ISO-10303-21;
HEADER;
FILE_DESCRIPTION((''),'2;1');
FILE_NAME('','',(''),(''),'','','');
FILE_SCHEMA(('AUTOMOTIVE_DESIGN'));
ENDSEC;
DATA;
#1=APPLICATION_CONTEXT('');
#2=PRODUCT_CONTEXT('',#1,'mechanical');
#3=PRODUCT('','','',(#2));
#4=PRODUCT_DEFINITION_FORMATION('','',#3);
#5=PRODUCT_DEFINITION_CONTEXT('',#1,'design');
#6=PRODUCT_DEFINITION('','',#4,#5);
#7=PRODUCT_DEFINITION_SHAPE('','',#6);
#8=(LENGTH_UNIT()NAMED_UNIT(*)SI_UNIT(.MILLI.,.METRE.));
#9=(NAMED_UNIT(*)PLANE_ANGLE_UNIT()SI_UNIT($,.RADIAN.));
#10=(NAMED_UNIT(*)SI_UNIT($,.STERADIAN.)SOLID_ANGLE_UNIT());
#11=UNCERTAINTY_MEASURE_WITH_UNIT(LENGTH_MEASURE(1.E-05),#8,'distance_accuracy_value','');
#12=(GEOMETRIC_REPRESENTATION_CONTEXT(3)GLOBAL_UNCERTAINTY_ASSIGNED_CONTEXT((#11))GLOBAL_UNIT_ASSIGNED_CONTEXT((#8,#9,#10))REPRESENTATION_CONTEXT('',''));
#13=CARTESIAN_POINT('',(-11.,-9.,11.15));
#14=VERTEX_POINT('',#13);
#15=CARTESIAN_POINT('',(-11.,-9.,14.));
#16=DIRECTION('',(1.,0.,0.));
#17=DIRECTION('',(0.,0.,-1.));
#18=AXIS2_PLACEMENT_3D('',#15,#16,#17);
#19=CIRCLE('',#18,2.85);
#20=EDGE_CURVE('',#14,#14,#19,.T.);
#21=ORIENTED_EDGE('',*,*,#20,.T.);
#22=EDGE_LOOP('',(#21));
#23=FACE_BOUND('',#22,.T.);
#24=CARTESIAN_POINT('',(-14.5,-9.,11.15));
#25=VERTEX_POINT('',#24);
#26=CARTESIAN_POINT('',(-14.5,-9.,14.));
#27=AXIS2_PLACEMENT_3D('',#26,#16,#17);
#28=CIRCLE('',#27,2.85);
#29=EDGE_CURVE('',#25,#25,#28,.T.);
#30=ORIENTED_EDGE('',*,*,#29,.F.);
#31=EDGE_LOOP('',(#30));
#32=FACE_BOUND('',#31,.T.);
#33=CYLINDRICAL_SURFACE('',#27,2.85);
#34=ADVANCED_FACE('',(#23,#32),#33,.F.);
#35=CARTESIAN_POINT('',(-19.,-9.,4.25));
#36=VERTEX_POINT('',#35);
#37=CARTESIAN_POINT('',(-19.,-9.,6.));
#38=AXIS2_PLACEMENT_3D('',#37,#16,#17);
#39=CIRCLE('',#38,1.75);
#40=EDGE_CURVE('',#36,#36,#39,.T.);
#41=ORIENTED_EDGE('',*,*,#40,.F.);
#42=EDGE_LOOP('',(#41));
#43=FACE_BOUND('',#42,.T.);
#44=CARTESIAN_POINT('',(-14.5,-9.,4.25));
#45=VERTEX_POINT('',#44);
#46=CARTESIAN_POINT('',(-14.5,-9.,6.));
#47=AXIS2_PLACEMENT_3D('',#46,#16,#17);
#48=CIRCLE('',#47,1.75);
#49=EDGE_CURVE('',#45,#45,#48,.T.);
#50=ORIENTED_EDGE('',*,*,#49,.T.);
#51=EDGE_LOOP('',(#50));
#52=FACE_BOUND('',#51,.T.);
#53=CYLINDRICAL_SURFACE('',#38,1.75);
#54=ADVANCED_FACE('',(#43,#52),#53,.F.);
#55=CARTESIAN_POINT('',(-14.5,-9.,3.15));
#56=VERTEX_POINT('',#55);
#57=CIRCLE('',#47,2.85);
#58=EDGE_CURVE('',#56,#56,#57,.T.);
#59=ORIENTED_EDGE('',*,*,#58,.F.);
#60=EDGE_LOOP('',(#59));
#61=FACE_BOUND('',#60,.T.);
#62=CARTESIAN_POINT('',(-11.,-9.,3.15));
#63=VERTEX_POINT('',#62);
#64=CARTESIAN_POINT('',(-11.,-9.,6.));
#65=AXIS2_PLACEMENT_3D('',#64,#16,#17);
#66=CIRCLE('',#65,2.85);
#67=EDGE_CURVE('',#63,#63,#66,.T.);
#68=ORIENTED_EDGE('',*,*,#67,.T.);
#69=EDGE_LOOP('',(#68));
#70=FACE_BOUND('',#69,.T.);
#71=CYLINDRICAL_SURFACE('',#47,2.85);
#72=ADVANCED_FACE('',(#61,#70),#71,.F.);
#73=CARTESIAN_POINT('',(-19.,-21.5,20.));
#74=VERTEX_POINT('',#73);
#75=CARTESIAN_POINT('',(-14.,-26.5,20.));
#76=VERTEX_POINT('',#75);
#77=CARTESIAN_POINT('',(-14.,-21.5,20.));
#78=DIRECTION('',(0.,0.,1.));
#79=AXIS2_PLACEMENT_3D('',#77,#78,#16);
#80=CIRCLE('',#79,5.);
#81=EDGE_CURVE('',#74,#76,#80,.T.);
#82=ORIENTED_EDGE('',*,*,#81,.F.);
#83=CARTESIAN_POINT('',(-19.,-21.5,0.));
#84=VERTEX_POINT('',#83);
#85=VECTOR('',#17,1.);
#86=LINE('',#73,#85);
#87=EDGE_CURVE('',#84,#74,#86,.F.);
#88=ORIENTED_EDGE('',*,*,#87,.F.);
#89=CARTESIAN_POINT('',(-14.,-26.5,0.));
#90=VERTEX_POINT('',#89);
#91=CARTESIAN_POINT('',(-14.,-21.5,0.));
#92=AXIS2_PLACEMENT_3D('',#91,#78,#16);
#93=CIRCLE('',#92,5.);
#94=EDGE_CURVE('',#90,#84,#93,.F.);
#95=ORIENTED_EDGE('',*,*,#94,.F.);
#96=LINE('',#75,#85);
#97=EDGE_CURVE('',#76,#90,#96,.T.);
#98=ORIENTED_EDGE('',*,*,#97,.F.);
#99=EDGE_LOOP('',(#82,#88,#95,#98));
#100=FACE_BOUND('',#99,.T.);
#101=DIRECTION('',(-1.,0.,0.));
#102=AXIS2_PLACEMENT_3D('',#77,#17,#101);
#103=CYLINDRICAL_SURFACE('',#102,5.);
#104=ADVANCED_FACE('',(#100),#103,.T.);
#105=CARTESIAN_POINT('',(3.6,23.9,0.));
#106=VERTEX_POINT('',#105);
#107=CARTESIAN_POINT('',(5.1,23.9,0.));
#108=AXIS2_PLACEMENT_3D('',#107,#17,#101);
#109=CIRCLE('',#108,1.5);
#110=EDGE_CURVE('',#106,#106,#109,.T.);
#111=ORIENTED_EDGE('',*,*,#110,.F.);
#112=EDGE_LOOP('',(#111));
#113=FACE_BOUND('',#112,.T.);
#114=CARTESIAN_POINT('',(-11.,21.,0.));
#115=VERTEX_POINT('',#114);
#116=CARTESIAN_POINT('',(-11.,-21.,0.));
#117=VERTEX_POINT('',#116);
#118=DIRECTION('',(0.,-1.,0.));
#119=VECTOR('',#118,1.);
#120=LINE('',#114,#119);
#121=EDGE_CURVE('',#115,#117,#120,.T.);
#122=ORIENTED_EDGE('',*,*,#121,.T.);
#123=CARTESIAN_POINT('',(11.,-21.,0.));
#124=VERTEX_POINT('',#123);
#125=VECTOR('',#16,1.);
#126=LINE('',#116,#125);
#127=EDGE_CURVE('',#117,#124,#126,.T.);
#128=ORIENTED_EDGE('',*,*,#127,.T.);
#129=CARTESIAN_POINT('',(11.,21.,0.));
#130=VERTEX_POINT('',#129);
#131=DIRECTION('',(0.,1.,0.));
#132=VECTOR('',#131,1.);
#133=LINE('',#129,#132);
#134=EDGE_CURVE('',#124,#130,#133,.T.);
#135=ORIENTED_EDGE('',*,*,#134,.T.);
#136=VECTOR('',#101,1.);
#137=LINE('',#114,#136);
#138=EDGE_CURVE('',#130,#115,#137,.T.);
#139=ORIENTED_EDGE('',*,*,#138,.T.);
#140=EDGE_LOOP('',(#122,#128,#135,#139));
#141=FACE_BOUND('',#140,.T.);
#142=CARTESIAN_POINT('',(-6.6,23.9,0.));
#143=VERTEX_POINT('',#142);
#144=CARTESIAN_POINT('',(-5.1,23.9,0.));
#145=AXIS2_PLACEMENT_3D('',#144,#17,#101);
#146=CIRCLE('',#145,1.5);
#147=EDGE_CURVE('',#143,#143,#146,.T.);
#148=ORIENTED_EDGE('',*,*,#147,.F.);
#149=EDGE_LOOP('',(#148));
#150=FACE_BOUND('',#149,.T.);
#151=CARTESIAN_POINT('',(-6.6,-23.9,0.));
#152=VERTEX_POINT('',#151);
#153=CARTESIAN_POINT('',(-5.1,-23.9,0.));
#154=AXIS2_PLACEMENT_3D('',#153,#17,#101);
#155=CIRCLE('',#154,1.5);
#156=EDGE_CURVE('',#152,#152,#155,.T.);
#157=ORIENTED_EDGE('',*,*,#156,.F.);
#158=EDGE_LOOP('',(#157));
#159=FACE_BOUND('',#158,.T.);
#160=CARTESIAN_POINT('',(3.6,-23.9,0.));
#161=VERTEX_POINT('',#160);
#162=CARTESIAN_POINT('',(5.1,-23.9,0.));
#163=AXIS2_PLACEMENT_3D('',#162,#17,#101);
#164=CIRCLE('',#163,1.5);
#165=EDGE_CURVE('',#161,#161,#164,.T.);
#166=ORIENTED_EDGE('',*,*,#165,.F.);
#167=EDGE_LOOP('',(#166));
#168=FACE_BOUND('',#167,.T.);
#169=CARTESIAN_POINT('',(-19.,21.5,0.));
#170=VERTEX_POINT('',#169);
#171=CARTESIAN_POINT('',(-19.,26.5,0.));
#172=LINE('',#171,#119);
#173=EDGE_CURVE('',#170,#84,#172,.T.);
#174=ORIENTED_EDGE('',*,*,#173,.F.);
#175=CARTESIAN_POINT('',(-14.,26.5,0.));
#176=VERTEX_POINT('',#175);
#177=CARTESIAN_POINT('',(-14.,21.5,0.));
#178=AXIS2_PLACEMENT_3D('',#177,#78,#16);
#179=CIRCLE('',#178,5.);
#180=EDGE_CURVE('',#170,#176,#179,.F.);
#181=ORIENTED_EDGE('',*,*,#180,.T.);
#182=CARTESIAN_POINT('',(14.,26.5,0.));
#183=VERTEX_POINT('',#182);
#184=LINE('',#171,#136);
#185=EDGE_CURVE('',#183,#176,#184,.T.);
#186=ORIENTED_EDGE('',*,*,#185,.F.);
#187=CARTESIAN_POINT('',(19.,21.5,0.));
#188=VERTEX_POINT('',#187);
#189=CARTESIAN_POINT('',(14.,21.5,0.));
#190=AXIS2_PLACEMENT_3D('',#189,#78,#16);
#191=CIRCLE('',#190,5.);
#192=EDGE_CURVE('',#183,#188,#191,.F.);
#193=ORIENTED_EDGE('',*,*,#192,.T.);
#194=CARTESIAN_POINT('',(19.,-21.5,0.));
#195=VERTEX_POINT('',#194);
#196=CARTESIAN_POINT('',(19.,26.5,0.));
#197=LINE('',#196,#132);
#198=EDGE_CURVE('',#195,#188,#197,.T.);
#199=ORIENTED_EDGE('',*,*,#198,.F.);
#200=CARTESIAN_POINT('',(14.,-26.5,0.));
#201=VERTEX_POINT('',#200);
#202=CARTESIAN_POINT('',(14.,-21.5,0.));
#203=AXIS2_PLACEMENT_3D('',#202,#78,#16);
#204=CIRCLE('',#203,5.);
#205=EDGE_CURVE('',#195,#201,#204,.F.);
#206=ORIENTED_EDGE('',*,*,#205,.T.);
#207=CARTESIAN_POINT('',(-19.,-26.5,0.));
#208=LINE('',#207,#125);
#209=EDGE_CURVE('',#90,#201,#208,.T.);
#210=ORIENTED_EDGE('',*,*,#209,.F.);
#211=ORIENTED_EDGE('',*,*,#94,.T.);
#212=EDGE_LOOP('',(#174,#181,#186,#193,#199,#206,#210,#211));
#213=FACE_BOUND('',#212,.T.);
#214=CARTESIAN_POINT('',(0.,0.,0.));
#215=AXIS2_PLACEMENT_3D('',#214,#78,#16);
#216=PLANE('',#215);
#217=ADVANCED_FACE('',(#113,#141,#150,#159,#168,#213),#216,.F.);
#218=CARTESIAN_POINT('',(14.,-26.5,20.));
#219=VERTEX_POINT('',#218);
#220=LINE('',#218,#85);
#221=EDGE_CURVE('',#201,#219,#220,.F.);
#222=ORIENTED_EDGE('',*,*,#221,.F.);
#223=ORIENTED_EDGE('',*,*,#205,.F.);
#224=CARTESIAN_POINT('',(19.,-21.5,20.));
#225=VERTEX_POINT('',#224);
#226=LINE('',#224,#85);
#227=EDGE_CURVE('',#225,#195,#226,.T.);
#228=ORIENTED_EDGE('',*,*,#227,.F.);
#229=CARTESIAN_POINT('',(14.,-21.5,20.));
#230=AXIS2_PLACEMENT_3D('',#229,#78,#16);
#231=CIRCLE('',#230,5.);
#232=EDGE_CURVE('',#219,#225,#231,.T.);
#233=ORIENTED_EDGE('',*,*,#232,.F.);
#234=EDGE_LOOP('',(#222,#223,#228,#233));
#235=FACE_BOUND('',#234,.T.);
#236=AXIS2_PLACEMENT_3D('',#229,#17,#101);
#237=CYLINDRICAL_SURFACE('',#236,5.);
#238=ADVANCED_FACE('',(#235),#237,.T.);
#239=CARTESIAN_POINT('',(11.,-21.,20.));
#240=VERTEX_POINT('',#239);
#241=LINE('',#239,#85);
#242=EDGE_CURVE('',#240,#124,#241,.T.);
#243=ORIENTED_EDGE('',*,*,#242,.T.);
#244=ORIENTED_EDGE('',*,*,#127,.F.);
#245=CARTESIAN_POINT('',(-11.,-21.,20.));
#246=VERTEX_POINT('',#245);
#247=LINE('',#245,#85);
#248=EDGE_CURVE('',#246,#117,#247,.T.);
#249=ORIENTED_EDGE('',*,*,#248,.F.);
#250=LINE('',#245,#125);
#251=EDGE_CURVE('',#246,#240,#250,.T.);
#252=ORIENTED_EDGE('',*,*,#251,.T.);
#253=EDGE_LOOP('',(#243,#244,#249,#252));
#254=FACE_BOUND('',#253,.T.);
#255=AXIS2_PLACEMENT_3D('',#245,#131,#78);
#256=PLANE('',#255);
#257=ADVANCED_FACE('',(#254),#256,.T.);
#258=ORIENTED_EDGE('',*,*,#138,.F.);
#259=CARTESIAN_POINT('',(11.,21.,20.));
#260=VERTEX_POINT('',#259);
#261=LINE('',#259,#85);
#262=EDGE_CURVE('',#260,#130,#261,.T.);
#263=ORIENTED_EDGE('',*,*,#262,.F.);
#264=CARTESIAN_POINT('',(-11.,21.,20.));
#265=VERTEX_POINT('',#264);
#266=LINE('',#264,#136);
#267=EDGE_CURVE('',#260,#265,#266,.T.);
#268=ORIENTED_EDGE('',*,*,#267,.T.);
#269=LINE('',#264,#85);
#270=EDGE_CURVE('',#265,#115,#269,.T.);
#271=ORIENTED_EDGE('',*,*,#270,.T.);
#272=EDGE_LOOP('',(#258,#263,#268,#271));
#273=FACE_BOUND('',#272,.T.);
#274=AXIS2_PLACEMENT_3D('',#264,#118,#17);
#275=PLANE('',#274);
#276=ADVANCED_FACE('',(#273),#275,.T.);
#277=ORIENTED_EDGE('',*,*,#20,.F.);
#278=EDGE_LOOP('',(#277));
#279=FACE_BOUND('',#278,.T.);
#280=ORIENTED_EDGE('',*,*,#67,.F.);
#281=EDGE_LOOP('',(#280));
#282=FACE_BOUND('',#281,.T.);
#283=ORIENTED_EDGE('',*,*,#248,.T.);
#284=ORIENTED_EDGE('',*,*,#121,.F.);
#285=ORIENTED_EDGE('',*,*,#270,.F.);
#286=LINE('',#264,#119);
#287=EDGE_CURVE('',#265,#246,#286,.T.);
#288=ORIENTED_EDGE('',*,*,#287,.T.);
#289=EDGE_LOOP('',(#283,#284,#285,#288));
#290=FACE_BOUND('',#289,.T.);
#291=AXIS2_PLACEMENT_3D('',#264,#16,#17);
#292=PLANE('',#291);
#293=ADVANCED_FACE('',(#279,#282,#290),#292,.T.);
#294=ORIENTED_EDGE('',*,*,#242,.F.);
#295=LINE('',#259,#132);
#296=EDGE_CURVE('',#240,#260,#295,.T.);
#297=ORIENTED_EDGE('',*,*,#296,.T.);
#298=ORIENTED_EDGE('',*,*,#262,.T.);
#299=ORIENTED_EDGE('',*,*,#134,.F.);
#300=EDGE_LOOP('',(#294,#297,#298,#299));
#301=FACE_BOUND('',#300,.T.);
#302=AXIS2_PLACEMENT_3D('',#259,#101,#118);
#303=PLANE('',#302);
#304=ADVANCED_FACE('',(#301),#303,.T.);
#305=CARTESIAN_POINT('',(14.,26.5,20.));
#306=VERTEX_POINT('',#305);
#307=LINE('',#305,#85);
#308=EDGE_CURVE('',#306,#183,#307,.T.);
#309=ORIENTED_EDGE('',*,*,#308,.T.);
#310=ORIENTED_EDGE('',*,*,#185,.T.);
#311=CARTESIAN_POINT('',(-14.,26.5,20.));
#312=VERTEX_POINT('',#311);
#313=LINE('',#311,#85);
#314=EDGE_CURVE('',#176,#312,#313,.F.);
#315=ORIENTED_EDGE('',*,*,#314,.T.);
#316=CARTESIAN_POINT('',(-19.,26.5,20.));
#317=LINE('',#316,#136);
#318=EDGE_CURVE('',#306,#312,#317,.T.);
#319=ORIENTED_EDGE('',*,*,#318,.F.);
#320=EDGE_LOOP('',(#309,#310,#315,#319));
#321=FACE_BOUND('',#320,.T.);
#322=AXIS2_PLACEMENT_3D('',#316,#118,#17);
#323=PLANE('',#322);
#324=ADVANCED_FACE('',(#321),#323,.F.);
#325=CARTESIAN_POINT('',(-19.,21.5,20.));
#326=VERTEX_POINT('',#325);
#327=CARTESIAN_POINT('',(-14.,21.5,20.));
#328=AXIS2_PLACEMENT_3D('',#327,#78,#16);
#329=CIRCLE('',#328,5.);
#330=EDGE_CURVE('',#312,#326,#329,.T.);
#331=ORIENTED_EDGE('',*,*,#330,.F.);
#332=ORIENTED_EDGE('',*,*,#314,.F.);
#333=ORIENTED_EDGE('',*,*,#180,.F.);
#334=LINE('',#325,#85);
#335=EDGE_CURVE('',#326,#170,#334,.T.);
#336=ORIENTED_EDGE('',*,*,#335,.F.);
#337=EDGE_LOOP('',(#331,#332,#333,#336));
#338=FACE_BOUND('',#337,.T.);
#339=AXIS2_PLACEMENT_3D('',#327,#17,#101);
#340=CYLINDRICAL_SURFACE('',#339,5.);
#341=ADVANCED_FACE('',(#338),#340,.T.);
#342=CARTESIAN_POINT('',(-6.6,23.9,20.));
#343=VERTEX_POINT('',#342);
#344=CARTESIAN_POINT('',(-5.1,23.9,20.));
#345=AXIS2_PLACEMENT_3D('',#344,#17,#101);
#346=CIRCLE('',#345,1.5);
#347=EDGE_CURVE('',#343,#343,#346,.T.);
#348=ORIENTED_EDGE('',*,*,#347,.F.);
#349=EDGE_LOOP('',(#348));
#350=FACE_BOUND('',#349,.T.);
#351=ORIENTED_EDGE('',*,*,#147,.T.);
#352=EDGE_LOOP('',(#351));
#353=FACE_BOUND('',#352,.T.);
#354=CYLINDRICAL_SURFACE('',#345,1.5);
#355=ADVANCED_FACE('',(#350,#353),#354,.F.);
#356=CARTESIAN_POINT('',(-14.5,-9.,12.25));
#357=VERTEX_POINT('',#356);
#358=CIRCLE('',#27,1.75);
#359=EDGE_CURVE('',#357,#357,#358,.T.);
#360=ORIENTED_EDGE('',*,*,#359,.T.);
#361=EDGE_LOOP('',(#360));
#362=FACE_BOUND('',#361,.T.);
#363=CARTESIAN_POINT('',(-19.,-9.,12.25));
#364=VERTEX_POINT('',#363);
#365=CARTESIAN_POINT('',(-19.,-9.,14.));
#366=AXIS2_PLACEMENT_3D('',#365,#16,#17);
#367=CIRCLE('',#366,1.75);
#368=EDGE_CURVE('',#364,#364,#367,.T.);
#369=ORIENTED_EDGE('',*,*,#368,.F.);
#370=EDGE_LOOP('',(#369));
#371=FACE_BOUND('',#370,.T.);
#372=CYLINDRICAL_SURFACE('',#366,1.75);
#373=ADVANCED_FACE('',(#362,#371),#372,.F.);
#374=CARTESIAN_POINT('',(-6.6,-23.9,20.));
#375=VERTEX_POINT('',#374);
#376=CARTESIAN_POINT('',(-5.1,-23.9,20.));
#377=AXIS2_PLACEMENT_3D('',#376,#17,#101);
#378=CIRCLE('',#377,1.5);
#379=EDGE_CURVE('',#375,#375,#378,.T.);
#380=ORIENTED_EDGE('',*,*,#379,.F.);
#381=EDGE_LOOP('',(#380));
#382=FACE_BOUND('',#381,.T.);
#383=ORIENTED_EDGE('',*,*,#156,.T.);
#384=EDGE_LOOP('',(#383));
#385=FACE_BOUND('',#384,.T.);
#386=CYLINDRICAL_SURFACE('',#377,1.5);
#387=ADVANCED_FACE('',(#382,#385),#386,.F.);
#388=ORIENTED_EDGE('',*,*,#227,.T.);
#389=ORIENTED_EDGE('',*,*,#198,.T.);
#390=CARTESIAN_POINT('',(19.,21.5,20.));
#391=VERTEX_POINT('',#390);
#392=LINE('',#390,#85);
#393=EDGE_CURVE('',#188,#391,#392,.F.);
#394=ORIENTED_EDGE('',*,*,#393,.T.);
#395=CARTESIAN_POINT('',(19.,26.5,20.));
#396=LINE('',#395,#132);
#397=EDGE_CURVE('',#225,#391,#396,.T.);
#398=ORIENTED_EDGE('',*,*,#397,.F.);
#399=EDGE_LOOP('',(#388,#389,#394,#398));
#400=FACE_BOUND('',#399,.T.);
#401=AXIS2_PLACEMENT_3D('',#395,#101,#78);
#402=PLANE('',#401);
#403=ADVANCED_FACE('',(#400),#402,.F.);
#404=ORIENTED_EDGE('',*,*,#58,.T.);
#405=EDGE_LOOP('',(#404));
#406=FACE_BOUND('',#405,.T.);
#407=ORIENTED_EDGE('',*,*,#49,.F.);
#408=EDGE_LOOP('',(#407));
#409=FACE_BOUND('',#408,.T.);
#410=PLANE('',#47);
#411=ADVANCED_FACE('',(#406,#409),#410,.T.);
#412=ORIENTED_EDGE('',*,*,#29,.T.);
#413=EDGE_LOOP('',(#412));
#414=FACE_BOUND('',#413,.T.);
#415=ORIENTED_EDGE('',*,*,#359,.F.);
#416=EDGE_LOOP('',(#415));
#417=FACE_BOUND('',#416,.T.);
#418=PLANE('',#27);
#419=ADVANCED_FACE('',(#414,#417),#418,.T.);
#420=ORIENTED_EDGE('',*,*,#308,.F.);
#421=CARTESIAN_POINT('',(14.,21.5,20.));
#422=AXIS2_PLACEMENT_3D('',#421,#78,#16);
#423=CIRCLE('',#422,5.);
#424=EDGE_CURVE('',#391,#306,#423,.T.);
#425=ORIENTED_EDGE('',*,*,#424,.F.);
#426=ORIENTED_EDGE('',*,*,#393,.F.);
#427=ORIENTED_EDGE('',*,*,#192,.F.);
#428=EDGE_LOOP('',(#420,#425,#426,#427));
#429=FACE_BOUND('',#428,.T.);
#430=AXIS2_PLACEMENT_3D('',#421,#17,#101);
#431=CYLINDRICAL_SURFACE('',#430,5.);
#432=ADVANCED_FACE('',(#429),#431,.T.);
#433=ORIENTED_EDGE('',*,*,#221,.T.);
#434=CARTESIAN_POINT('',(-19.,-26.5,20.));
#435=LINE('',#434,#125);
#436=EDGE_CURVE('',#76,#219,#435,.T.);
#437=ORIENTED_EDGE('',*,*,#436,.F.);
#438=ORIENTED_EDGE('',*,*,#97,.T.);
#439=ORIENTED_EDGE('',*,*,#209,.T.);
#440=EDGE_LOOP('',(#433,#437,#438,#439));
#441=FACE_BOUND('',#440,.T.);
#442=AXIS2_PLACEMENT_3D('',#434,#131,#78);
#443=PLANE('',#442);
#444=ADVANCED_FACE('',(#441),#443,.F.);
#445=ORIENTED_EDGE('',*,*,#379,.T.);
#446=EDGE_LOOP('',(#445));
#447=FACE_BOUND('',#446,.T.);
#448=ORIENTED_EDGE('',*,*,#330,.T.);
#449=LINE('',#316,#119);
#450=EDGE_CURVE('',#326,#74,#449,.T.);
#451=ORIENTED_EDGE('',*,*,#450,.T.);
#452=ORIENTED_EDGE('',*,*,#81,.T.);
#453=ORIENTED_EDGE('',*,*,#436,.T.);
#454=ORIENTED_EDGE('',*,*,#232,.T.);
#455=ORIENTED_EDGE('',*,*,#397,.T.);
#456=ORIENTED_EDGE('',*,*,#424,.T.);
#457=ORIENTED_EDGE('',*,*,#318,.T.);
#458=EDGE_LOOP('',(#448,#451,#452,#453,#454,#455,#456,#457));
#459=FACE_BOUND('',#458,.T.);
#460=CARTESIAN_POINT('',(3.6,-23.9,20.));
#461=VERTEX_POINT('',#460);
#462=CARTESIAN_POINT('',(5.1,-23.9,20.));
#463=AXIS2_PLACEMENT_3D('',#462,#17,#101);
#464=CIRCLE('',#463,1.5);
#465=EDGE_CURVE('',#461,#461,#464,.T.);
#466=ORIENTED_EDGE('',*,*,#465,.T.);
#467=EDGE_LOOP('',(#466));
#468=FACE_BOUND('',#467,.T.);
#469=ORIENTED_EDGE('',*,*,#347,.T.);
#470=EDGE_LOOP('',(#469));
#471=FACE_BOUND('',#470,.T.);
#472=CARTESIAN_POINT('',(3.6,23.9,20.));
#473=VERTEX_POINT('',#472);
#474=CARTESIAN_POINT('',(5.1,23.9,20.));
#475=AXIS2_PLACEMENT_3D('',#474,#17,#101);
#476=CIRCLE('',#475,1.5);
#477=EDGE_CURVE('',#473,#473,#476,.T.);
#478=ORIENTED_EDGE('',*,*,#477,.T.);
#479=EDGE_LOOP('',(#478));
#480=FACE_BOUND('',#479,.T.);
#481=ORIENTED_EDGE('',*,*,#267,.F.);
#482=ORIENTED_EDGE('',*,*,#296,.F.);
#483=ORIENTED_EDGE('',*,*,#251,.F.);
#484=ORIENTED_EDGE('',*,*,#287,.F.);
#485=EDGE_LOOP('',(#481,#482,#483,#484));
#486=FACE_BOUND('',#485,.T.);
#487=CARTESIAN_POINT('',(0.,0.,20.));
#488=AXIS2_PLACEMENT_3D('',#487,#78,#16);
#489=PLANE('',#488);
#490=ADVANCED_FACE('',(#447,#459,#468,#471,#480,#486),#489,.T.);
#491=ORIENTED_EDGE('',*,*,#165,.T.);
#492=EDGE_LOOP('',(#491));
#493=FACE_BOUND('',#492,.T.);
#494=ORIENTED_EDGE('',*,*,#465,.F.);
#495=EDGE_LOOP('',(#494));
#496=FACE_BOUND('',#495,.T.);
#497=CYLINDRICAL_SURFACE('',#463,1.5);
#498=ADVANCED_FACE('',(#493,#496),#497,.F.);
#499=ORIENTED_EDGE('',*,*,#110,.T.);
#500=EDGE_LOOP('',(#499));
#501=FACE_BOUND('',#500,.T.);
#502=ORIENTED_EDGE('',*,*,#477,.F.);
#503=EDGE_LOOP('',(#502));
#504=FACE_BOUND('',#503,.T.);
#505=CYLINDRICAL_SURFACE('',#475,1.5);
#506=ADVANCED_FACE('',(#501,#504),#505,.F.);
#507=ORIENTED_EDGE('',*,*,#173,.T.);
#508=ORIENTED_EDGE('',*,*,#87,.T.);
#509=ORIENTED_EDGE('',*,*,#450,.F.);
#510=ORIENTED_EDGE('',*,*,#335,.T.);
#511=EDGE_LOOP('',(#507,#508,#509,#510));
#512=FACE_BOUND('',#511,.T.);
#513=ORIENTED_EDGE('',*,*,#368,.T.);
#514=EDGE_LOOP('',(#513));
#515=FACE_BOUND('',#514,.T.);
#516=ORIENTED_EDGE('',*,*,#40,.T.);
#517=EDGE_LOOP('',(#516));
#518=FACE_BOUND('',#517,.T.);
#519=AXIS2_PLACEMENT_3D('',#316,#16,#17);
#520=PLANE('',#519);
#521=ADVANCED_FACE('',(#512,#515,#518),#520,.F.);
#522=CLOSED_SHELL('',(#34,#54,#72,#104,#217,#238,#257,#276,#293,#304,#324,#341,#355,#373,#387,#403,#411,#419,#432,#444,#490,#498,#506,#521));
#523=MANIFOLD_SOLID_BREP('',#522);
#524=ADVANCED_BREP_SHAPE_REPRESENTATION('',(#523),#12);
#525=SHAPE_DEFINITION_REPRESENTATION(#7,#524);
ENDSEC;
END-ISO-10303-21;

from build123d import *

# Parameters (mm, degrees)
SKETCH1_W           = 38
SKETCH1_H           = 53
SKETCH1_W_2         = 22
SKETCH1_H_2         = 42
BOSS_EXTRUDE1_DEPTH = 20
SKETCH4_R           = 1.5
CUT_EXTRUDE3_DEPTH  = 39.252450902
FILLET1_R           = 5
SKETCH5_R           = 1.75
CUT_EXTRUDE4_DEPTH  = 45.746508244
SKETCH5_3_R         = 2.85
SKETCH5_3_R_2       = 1.75
CUT_EXTRUDE5_DEPTH  = 3.5


with BuildPart() as part:
    # Sketch1 → Boss-Extrude1 (new body)
    with BuildSketch(Plane.XY):
        Rectangle(SKETCH1_W, SKETCH1_H)
        Rectangle(SKETCH1_W_2, SKETCH1_H_2, mode=Mode.SUBTRACT)
    extrude(amount=BOSS_EXTRUDE1_DEPTH)

    # Sketch4 → Cut-Extrude3 (cut, through all)
    with BuildSketch(Plane(origin=(0, 0, 0), x_dir=(-1, 0, 0), z_dir=(0, 0, -1))):
        with Locations((-5.1, -23.9)):
            Circle(SKETCH4_R)
        with Locations((5.1, -23.9)):
            Circle(SKETCH4_R)
        with Locations((-5.1, 23.9)):
            Circle(SKETCH4_R)
        with Locations((5.1, 23.9)):
            Circle(SKETCH4_R)
    extrude(amount=-CUT_EXTRUDE3_DEPTH, mode=Mode.SUBTRACT)

    # Fillet1
    fillet1_edges = [part.edges().sort_by_distance(p)[0] for p in [
        (19, -26.5, 10),
        (-19, -26.5, 10),
        (-19, 26.5, 10),
        (19, 26.5, 10),
    ]]
    fillet(fillet1_edges, radius=FILLET1_R)

    # Sketch5 → Cut-Extrude4 (cut, through all)
    with BuildSketch(Plane(origin=(-11, 0, 0), x_dir=(0, 0, -1), z_dir=(1, 0, 0))):
        with Locations((-14, -9)):
            Circle(SKETCH5_R)
        with Locations((-6, -9)):
            Circle(SKETCH5_R)
    extrude(amount=-CUT_EXTRUDE4_DEPTH, mode=Mode.SUBTRACT)

    # Sketch5<3> → Cut-Extrude5 (cut)
    # profile 1 of 2: a face of its own
    with BuildSketch(Plane(origin=(-11, 0, 0), x_dir=(0, 0, -1), z_dir=(1, 0, 0))):
        with Locations((-14, -9)):
            Circle(SKETCH5_3_R)
        with Locations((-14, -9)):
            Circle(SKETCH5_3_R_2, mode=Mode.SUBTRACT)
    # profile 2 of 2: a face of its own
    with BuildSketch(Plane(origin=(-11, 0, 0), x_dir=(0, 0, -1), z_dir=(1, 0, 0))):
        with Locations((-6, -9)):
            Circle(SKETCH5_3_R)
        with Locations((-6, -9)):
            Circle(SKETCH5_3_R_2, mode=Mode.SUBTRACT)
    extrude(amount=-CUT_EXTRUDE5_DEPTH, mode=Mode.SUBTRACT)


solid = part.part
